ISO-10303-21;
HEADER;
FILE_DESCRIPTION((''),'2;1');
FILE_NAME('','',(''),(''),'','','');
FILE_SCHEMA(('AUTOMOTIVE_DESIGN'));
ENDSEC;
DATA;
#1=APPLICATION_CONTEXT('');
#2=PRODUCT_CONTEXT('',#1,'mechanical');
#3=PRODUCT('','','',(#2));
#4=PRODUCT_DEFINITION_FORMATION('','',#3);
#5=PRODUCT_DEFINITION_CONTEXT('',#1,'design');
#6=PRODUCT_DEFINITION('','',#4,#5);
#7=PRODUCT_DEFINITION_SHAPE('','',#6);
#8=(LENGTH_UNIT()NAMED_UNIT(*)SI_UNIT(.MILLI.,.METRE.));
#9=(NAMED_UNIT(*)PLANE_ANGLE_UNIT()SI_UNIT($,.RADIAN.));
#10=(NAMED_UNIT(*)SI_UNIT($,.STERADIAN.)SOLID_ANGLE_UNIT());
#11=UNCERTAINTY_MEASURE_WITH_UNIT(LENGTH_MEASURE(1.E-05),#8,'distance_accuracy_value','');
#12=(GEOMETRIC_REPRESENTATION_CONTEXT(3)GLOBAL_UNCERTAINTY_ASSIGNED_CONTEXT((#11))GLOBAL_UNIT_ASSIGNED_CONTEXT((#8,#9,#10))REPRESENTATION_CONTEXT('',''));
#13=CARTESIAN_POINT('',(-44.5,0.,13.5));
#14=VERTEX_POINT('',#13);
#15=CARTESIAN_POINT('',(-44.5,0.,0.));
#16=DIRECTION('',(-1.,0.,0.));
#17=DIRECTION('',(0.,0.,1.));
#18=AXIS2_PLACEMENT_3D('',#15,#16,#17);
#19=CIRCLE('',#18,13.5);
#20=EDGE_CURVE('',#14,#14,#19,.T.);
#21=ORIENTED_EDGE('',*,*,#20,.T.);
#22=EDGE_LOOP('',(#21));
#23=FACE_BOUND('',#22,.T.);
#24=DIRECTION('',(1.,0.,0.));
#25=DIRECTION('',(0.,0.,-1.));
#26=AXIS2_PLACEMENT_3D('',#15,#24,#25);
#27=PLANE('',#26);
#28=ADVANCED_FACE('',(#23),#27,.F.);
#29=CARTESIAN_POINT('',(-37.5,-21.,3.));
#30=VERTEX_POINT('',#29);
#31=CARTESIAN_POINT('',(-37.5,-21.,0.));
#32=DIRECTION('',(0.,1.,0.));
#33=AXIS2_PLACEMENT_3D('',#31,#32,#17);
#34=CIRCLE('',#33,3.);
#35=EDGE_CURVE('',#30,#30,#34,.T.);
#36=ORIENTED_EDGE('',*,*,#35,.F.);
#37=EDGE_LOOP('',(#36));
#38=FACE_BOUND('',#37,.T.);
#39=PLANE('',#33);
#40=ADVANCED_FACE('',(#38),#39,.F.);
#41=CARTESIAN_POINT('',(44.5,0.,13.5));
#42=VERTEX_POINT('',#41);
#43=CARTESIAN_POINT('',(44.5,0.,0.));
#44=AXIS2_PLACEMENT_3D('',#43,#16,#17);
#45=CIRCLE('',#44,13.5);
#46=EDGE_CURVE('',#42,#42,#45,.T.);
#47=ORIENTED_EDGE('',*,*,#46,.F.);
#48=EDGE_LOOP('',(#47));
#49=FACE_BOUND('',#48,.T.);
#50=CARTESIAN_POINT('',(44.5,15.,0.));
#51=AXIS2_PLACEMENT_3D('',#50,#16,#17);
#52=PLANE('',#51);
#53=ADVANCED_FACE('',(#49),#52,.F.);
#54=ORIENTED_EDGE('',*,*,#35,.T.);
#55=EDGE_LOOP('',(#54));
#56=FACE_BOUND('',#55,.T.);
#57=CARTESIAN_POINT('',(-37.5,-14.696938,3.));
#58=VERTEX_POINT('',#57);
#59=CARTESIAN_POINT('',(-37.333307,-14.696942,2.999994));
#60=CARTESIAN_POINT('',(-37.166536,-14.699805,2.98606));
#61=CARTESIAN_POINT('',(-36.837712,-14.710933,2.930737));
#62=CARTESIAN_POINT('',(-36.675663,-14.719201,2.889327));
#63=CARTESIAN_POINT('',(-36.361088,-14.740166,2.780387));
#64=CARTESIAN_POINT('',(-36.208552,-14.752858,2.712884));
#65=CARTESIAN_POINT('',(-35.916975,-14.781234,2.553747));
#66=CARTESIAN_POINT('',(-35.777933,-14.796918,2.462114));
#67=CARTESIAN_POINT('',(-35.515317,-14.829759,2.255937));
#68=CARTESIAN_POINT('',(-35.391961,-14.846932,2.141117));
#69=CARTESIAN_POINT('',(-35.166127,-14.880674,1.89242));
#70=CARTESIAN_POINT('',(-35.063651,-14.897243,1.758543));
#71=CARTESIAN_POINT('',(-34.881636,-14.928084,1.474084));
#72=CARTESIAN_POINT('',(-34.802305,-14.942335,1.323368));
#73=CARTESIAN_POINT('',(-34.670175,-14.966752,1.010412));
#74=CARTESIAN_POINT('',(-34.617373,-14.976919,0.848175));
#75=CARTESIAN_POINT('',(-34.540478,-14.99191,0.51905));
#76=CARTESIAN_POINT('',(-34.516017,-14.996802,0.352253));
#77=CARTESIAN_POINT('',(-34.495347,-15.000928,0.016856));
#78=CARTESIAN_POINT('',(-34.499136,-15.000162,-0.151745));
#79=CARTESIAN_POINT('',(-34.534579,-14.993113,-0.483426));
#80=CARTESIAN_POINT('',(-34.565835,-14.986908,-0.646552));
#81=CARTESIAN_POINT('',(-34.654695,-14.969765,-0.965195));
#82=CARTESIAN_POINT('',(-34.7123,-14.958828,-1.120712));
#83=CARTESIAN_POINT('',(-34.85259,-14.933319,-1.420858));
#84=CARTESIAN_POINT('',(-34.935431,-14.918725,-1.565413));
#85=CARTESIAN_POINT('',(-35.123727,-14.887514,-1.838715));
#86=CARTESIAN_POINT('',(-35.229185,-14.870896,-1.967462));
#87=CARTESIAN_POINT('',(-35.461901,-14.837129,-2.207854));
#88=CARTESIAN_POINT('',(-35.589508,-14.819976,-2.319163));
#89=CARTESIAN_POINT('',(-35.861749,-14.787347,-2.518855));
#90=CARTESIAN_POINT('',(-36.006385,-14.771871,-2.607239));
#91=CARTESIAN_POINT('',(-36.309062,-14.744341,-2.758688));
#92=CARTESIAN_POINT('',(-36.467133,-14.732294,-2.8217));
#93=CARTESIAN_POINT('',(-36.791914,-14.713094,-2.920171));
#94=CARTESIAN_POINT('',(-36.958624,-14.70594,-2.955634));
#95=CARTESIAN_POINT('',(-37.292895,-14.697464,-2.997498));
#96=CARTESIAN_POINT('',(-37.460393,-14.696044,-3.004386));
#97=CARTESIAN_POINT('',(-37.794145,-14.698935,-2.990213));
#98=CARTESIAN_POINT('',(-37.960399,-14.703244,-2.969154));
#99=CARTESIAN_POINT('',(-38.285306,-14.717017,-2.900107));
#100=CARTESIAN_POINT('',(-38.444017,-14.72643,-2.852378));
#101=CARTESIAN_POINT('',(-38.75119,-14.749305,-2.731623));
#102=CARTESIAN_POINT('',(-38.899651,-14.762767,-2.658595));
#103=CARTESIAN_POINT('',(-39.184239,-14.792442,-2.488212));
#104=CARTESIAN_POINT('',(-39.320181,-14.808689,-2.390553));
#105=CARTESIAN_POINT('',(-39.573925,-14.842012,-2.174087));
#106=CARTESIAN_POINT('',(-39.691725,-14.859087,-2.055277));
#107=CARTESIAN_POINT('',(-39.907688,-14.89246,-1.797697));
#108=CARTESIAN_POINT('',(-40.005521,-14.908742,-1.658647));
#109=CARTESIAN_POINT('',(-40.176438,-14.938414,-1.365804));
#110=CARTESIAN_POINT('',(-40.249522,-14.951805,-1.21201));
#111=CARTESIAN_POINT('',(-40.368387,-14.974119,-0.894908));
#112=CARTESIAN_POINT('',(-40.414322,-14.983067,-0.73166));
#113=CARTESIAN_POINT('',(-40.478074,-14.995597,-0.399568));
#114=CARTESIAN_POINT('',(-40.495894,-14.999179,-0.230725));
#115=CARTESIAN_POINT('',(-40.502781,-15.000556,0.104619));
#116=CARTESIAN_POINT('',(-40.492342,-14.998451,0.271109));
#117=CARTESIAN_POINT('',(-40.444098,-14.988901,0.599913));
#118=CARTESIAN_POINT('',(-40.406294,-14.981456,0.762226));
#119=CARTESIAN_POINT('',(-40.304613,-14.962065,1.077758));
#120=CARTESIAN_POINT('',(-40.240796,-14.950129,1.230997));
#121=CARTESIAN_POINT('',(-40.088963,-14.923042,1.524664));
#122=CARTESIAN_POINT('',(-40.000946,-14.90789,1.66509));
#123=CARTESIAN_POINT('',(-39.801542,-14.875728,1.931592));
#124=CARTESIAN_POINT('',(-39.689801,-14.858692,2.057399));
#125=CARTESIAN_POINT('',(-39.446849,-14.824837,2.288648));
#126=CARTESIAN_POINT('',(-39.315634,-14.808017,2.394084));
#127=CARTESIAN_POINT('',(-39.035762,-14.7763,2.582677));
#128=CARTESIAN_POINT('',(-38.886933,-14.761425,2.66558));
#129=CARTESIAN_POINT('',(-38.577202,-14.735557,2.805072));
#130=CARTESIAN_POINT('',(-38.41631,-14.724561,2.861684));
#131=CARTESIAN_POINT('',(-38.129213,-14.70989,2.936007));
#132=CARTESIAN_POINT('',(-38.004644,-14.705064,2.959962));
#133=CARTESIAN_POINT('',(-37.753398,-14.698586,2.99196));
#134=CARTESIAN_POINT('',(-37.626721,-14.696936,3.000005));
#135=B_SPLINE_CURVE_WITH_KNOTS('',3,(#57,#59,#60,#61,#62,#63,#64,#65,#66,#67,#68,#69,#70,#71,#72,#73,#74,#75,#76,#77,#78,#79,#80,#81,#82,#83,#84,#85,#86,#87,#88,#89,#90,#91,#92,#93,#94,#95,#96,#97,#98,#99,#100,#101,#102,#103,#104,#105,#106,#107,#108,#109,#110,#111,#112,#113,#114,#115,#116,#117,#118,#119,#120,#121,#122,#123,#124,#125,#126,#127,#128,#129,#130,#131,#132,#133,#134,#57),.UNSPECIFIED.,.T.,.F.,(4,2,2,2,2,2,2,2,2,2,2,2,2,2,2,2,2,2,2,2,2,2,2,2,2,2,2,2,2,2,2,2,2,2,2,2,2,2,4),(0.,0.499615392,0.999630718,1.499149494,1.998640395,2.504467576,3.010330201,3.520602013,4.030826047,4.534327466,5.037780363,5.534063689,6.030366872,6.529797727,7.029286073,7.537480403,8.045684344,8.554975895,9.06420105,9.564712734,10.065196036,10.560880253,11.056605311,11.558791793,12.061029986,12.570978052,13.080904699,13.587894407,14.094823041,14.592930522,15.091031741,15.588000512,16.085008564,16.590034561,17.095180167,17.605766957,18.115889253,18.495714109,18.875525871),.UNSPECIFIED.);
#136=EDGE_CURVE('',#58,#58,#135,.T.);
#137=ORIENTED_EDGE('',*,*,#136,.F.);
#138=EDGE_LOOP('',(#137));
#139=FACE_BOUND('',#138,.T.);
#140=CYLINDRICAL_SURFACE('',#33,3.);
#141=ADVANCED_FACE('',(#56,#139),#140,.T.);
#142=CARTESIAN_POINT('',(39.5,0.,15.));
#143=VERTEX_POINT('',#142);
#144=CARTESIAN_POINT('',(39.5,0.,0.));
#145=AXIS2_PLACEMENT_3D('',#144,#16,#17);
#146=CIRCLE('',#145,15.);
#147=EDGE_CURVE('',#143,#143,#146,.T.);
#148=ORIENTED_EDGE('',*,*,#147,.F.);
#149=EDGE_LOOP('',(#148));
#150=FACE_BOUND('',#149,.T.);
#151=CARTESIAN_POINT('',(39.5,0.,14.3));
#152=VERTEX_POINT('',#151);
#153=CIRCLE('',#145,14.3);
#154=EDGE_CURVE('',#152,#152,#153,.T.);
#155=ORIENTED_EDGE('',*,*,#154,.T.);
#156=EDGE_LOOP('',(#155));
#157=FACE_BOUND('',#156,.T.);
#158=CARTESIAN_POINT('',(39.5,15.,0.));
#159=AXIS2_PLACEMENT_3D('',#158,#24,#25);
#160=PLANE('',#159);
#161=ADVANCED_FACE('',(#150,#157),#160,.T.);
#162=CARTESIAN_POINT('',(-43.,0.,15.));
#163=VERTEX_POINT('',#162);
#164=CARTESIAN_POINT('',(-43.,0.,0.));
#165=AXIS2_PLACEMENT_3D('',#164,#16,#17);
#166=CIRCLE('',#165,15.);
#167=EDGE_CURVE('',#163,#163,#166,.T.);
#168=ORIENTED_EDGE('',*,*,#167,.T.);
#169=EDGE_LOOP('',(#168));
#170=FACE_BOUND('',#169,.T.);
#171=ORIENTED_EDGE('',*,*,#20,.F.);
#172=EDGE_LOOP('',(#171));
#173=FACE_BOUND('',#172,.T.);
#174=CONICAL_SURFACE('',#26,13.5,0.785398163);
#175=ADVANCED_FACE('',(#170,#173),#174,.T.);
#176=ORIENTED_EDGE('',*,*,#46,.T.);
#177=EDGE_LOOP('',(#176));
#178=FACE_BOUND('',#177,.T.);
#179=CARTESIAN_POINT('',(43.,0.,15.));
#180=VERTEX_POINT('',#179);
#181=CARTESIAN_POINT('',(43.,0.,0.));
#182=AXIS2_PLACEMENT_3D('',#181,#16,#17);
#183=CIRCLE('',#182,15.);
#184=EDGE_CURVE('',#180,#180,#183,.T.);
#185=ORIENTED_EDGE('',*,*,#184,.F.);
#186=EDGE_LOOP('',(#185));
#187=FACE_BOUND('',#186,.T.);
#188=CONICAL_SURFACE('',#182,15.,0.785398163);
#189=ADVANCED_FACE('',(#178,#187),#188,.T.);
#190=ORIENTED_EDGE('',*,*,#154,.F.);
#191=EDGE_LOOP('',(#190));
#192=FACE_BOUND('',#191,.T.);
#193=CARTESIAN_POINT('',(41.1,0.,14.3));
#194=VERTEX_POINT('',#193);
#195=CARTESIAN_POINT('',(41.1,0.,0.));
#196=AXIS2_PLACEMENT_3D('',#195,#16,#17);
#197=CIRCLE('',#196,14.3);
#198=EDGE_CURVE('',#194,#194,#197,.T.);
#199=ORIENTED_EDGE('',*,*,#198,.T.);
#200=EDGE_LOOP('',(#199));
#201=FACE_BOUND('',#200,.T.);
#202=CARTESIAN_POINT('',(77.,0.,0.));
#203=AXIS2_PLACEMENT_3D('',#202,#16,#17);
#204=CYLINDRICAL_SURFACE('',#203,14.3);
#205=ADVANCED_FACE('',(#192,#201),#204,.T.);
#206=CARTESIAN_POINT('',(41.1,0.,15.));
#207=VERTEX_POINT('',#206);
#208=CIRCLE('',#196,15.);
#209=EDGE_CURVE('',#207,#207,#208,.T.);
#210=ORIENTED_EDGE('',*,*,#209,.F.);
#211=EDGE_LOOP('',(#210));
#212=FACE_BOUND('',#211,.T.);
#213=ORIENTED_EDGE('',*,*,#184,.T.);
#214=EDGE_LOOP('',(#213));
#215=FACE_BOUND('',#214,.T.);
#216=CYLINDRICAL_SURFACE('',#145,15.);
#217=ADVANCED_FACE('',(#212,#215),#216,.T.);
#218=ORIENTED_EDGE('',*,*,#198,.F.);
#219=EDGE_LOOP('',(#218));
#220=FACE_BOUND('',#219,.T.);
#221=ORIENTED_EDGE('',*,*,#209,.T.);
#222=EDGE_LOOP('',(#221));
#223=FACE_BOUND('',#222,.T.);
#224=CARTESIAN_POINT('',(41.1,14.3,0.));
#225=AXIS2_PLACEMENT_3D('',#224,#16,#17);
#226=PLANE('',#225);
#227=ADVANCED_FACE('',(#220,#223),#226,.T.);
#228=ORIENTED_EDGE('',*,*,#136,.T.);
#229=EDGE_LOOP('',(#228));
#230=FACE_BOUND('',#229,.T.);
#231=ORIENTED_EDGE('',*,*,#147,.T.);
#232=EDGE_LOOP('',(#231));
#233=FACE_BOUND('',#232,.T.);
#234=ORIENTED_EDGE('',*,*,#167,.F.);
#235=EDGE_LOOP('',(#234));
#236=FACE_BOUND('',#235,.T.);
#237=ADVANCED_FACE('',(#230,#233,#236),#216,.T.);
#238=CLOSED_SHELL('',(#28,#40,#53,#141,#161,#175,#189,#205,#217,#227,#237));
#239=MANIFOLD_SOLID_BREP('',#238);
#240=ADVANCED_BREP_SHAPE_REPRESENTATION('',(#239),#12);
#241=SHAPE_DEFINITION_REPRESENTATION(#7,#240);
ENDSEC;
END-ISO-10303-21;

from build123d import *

# Parameters (mm, degrees)
SKETCH1_W           = 84
SKETCH1_H           = 15
SKETCH3_R           = 3
BOSS_EXTRUDE1_DEPTH = 21
SKETCH4_W           = 5
SKETCH4_H           = 15
SKETCH5_W           = 1.6
SKETCH5_H           = 0.7


with BuildPart() as part:
    # Sketch1 → Revolve1 (revolve)
    with BuildSketch(Plane.XY):
        with Locations((-2.5, 7.5)):
            Rectangle(SKETCH1_W, SKETCH1_H)
    revolve(axis=Axis((39.5, 0, 0), (-1, 0, 0)))

    # Sketch2 → Cut-Revolve1 (revolve, cut)
    with BuildSketch(Plane.XY):
        Polygon((-44.5, 13.5), (-43, 15), (-44.5, 15), align=None)
    revolve(axis=Axis((77, 0, 0), (-1, 0, 0)), mode=Mode.SUBTRACT)

    # Sketch3 → Boss-Extrude1 (add)
    with BuildSketch(Plane(origin=(0, 0, 0), x_dir=(1, 0, 0), z_dir=(0, 1, 0))):
        with Locations((-37.5, 0)):
            Circle(SKETCH3_R)
    extrude(amount=-BOSS_EXTRUDE1_DEPTH)

    # Sketch4 → Revolve2 (revolve)
    with BuildSketch(Plane.XY):
        with Locations((42, 7.5)):
            Rectangle(SKETCH4_W, SKETCH4_H)
    revolve(axis=Axis((44.5, 0, 0), (-1, 0, 0)))

    # Sketch5 → Cut-Revolve2 (revolve, cut)
    with BuildSketch(Plane.XY):
        with Locations((40.3, 14.65)):
            Rectangle(SKETCH5_W, SKETCH5_H)
    revolve(axis=Axis((77, 0, 0), (-1, 0, 0)), mode=Mode.SUBTRACT)

    # Sketch6 → Cut-Revolve3 (revolve, cut)
    with BuildSketch(Plane.XY):
        Polygon((43, 15), (44.5, 13.5), (44.5, 15), align=None)
    revolve(axis=Axis((77, 0, 0), (-1, 0, 0)), mode=Mode.SUBTRACT)


solid = part.part
